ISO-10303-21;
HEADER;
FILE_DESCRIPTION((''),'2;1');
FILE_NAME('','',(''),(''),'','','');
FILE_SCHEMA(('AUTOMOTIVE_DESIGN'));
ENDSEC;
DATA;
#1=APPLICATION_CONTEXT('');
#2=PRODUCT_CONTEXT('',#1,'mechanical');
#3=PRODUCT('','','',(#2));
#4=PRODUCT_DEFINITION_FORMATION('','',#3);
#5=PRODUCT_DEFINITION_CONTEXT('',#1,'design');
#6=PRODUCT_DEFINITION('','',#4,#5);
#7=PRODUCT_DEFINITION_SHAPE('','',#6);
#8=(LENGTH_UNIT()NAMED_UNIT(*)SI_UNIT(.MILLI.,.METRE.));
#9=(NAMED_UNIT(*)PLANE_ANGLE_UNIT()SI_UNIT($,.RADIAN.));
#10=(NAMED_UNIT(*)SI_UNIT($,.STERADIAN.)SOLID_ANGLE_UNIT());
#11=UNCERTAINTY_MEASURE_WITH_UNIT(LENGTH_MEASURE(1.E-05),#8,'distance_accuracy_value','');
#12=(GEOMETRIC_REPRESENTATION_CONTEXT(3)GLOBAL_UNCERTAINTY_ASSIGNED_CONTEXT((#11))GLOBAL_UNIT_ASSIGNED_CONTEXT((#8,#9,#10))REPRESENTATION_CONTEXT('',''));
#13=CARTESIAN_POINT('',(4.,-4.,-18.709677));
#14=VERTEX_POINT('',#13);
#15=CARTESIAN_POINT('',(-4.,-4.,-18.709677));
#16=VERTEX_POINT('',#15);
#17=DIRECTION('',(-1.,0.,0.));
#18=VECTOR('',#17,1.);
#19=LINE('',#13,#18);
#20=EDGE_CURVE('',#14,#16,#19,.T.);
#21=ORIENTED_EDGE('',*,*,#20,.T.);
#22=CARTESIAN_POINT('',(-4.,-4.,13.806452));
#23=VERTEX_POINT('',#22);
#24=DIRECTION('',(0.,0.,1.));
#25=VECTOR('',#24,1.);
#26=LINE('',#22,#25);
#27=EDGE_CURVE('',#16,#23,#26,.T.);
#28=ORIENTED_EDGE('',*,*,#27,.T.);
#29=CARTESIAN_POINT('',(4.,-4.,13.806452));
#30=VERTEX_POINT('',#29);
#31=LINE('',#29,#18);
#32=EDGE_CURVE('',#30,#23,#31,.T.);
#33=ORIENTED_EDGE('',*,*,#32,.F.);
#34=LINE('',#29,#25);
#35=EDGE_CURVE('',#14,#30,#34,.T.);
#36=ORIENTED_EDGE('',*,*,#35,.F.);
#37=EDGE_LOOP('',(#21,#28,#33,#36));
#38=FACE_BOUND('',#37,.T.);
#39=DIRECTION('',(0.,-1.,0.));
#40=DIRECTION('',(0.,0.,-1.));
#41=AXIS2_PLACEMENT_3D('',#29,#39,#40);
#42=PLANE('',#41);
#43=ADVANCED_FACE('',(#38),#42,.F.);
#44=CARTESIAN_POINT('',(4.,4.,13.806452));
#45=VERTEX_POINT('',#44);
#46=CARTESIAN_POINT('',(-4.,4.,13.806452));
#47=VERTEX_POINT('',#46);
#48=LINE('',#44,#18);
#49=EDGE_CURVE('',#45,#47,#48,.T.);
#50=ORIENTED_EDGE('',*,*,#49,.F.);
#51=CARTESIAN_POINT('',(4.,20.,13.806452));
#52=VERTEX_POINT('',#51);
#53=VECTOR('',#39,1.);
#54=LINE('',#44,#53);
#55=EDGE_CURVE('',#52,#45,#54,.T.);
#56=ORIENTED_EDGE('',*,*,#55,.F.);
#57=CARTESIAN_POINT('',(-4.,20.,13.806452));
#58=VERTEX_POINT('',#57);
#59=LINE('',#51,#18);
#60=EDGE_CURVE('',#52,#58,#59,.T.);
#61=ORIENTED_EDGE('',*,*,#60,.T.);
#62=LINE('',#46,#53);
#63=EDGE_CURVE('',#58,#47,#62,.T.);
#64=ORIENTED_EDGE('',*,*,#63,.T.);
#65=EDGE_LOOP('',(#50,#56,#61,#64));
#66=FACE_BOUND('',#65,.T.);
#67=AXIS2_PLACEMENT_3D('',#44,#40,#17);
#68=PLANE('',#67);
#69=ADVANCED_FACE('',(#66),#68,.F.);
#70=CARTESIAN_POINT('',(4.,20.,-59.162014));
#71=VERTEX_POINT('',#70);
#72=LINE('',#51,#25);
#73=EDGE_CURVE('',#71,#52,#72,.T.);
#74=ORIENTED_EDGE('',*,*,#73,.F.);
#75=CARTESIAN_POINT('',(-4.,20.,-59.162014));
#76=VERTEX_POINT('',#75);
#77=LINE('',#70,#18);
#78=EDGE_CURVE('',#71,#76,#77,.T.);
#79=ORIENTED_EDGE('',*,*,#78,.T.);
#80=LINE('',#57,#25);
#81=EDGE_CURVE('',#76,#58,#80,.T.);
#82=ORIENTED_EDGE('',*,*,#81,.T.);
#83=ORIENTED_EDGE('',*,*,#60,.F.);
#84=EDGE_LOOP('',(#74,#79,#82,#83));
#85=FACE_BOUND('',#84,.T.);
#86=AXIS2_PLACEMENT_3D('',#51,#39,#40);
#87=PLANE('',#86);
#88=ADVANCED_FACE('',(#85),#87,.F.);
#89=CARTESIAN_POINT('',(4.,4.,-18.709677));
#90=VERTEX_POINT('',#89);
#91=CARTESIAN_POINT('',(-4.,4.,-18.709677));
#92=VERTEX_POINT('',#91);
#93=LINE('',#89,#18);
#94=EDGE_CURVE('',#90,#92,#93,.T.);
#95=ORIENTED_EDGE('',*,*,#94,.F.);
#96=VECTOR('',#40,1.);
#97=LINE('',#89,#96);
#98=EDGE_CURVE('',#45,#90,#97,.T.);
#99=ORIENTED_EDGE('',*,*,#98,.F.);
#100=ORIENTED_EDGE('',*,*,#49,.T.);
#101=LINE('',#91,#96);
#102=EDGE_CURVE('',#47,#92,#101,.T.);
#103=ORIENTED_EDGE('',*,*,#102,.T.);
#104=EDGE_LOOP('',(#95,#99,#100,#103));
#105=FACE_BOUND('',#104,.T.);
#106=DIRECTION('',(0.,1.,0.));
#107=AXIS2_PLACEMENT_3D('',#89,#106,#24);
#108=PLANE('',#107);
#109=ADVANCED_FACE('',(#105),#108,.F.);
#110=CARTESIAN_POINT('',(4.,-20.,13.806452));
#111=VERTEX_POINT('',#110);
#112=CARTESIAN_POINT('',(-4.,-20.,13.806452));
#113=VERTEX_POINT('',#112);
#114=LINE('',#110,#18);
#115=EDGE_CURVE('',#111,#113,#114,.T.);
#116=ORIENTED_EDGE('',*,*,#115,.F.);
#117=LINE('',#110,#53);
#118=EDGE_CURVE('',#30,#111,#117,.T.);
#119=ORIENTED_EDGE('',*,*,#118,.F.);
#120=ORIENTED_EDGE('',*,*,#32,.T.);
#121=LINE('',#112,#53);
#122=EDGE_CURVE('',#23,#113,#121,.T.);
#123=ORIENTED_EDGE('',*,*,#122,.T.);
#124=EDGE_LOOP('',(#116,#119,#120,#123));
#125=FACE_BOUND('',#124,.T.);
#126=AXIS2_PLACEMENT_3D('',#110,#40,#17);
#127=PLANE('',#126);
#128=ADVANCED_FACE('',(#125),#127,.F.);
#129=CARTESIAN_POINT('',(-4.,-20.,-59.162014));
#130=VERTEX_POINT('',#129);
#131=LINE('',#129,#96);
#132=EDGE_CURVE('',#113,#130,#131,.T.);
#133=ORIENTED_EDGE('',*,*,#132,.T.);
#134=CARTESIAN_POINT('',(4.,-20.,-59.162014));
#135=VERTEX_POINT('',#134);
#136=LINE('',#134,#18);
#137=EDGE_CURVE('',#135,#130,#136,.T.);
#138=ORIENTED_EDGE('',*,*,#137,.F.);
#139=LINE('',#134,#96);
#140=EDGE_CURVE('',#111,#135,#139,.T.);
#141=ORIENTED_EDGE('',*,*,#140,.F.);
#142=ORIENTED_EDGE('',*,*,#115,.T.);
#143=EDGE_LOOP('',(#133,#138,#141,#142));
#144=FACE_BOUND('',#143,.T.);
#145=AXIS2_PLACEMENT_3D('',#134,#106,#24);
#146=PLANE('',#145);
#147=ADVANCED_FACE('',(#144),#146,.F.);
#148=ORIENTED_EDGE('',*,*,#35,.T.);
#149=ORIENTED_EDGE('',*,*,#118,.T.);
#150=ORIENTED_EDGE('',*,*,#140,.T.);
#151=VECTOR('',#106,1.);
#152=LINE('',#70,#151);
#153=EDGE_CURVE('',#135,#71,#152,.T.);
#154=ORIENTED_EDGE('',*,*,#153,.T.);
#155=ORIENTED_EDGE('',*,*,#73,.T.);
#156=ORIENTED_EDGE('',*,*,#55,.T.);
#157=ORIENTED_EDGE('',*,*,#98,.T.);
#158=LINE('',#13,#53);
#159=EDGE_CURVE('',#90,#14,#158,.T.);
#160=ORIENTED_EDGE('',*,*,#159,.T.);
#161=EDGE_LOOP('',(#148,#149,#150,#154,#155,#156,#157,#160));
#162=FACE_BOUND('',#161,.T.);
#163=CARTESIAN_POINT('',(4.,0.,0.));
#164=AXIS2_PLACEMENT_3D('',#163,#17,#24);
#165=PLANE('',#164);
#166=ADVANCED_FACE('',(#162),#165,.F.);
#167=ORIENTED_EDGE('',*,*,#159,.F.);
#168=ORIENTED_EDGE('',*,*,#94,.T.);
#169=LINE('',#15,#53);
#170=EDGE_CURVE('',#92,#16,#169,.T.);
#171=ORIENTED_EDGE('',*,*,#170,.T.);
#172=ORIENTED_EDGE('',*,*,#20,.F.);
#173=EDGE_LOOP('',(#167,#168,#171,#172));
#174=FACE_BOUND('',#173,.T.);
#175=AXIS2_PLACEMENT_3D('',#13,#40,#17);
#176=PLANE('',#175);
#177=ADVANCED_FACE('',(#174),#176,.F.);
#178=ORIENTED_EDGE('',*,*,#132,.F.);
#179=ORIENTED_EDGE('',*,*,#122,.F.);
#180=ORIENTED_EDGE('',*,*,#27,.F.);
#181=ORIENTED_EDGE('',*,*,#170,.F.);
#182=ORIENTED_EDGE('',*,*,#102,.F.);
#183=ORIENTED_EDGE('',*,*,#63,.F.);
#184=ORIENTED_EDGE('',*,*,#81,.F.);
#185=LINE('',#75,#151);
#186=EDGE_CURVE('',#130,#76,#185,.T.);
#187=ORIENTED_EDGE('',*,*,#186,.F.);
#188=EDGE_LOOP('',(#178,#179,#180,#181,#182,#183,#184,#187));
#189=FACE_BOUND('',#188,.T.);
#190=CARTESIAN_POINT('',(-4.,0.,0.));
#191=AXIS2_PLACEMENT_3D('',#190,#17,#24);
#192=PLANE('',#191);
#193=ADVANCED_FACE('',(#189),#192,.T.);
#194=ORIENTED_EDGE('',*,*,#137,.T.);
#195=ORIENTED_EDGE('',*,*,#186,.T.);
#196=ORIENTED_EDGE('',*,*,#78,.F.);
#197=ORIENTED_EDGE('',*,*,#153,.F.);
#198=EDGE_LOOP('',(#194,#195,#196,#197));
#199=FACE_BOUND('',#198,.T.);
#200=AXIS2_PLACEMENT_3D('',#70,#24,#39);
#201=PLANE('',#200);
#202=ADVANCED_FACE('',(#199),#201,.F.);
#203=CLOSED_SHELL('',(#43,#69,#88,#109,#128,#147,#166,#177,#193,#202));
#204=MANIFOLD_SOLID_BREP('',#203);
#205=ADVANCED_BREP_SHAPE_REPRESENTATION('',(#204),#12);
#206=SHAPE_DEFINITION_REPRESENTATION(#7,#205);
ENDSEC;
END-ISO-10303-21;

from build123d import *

# Parameters (mm, degrees)
BOSS_EXTRUDE1_DEPTH = 4


with BuildPart() as part:
    # Sketch1 → Boss-Extrude1 (new, symmetric)
    with BuildSketch(Plane(origin=(0, 0, 0), x_dir=(0, 0, -1), z_dir=(1, 0, 0))):
        Polygon((59.162013671, 20), (59.162013671, -20), (-13.806451613, -20), (-13.806451613, -4), (18.709677419, -4), (18.709677419, 4), (-13.806451613, 4), (-13.806451613, 20), align=None)
    extrude(amount=BOSS_EXTRUDE1_DEPTH, both=True)


solid = part.part
